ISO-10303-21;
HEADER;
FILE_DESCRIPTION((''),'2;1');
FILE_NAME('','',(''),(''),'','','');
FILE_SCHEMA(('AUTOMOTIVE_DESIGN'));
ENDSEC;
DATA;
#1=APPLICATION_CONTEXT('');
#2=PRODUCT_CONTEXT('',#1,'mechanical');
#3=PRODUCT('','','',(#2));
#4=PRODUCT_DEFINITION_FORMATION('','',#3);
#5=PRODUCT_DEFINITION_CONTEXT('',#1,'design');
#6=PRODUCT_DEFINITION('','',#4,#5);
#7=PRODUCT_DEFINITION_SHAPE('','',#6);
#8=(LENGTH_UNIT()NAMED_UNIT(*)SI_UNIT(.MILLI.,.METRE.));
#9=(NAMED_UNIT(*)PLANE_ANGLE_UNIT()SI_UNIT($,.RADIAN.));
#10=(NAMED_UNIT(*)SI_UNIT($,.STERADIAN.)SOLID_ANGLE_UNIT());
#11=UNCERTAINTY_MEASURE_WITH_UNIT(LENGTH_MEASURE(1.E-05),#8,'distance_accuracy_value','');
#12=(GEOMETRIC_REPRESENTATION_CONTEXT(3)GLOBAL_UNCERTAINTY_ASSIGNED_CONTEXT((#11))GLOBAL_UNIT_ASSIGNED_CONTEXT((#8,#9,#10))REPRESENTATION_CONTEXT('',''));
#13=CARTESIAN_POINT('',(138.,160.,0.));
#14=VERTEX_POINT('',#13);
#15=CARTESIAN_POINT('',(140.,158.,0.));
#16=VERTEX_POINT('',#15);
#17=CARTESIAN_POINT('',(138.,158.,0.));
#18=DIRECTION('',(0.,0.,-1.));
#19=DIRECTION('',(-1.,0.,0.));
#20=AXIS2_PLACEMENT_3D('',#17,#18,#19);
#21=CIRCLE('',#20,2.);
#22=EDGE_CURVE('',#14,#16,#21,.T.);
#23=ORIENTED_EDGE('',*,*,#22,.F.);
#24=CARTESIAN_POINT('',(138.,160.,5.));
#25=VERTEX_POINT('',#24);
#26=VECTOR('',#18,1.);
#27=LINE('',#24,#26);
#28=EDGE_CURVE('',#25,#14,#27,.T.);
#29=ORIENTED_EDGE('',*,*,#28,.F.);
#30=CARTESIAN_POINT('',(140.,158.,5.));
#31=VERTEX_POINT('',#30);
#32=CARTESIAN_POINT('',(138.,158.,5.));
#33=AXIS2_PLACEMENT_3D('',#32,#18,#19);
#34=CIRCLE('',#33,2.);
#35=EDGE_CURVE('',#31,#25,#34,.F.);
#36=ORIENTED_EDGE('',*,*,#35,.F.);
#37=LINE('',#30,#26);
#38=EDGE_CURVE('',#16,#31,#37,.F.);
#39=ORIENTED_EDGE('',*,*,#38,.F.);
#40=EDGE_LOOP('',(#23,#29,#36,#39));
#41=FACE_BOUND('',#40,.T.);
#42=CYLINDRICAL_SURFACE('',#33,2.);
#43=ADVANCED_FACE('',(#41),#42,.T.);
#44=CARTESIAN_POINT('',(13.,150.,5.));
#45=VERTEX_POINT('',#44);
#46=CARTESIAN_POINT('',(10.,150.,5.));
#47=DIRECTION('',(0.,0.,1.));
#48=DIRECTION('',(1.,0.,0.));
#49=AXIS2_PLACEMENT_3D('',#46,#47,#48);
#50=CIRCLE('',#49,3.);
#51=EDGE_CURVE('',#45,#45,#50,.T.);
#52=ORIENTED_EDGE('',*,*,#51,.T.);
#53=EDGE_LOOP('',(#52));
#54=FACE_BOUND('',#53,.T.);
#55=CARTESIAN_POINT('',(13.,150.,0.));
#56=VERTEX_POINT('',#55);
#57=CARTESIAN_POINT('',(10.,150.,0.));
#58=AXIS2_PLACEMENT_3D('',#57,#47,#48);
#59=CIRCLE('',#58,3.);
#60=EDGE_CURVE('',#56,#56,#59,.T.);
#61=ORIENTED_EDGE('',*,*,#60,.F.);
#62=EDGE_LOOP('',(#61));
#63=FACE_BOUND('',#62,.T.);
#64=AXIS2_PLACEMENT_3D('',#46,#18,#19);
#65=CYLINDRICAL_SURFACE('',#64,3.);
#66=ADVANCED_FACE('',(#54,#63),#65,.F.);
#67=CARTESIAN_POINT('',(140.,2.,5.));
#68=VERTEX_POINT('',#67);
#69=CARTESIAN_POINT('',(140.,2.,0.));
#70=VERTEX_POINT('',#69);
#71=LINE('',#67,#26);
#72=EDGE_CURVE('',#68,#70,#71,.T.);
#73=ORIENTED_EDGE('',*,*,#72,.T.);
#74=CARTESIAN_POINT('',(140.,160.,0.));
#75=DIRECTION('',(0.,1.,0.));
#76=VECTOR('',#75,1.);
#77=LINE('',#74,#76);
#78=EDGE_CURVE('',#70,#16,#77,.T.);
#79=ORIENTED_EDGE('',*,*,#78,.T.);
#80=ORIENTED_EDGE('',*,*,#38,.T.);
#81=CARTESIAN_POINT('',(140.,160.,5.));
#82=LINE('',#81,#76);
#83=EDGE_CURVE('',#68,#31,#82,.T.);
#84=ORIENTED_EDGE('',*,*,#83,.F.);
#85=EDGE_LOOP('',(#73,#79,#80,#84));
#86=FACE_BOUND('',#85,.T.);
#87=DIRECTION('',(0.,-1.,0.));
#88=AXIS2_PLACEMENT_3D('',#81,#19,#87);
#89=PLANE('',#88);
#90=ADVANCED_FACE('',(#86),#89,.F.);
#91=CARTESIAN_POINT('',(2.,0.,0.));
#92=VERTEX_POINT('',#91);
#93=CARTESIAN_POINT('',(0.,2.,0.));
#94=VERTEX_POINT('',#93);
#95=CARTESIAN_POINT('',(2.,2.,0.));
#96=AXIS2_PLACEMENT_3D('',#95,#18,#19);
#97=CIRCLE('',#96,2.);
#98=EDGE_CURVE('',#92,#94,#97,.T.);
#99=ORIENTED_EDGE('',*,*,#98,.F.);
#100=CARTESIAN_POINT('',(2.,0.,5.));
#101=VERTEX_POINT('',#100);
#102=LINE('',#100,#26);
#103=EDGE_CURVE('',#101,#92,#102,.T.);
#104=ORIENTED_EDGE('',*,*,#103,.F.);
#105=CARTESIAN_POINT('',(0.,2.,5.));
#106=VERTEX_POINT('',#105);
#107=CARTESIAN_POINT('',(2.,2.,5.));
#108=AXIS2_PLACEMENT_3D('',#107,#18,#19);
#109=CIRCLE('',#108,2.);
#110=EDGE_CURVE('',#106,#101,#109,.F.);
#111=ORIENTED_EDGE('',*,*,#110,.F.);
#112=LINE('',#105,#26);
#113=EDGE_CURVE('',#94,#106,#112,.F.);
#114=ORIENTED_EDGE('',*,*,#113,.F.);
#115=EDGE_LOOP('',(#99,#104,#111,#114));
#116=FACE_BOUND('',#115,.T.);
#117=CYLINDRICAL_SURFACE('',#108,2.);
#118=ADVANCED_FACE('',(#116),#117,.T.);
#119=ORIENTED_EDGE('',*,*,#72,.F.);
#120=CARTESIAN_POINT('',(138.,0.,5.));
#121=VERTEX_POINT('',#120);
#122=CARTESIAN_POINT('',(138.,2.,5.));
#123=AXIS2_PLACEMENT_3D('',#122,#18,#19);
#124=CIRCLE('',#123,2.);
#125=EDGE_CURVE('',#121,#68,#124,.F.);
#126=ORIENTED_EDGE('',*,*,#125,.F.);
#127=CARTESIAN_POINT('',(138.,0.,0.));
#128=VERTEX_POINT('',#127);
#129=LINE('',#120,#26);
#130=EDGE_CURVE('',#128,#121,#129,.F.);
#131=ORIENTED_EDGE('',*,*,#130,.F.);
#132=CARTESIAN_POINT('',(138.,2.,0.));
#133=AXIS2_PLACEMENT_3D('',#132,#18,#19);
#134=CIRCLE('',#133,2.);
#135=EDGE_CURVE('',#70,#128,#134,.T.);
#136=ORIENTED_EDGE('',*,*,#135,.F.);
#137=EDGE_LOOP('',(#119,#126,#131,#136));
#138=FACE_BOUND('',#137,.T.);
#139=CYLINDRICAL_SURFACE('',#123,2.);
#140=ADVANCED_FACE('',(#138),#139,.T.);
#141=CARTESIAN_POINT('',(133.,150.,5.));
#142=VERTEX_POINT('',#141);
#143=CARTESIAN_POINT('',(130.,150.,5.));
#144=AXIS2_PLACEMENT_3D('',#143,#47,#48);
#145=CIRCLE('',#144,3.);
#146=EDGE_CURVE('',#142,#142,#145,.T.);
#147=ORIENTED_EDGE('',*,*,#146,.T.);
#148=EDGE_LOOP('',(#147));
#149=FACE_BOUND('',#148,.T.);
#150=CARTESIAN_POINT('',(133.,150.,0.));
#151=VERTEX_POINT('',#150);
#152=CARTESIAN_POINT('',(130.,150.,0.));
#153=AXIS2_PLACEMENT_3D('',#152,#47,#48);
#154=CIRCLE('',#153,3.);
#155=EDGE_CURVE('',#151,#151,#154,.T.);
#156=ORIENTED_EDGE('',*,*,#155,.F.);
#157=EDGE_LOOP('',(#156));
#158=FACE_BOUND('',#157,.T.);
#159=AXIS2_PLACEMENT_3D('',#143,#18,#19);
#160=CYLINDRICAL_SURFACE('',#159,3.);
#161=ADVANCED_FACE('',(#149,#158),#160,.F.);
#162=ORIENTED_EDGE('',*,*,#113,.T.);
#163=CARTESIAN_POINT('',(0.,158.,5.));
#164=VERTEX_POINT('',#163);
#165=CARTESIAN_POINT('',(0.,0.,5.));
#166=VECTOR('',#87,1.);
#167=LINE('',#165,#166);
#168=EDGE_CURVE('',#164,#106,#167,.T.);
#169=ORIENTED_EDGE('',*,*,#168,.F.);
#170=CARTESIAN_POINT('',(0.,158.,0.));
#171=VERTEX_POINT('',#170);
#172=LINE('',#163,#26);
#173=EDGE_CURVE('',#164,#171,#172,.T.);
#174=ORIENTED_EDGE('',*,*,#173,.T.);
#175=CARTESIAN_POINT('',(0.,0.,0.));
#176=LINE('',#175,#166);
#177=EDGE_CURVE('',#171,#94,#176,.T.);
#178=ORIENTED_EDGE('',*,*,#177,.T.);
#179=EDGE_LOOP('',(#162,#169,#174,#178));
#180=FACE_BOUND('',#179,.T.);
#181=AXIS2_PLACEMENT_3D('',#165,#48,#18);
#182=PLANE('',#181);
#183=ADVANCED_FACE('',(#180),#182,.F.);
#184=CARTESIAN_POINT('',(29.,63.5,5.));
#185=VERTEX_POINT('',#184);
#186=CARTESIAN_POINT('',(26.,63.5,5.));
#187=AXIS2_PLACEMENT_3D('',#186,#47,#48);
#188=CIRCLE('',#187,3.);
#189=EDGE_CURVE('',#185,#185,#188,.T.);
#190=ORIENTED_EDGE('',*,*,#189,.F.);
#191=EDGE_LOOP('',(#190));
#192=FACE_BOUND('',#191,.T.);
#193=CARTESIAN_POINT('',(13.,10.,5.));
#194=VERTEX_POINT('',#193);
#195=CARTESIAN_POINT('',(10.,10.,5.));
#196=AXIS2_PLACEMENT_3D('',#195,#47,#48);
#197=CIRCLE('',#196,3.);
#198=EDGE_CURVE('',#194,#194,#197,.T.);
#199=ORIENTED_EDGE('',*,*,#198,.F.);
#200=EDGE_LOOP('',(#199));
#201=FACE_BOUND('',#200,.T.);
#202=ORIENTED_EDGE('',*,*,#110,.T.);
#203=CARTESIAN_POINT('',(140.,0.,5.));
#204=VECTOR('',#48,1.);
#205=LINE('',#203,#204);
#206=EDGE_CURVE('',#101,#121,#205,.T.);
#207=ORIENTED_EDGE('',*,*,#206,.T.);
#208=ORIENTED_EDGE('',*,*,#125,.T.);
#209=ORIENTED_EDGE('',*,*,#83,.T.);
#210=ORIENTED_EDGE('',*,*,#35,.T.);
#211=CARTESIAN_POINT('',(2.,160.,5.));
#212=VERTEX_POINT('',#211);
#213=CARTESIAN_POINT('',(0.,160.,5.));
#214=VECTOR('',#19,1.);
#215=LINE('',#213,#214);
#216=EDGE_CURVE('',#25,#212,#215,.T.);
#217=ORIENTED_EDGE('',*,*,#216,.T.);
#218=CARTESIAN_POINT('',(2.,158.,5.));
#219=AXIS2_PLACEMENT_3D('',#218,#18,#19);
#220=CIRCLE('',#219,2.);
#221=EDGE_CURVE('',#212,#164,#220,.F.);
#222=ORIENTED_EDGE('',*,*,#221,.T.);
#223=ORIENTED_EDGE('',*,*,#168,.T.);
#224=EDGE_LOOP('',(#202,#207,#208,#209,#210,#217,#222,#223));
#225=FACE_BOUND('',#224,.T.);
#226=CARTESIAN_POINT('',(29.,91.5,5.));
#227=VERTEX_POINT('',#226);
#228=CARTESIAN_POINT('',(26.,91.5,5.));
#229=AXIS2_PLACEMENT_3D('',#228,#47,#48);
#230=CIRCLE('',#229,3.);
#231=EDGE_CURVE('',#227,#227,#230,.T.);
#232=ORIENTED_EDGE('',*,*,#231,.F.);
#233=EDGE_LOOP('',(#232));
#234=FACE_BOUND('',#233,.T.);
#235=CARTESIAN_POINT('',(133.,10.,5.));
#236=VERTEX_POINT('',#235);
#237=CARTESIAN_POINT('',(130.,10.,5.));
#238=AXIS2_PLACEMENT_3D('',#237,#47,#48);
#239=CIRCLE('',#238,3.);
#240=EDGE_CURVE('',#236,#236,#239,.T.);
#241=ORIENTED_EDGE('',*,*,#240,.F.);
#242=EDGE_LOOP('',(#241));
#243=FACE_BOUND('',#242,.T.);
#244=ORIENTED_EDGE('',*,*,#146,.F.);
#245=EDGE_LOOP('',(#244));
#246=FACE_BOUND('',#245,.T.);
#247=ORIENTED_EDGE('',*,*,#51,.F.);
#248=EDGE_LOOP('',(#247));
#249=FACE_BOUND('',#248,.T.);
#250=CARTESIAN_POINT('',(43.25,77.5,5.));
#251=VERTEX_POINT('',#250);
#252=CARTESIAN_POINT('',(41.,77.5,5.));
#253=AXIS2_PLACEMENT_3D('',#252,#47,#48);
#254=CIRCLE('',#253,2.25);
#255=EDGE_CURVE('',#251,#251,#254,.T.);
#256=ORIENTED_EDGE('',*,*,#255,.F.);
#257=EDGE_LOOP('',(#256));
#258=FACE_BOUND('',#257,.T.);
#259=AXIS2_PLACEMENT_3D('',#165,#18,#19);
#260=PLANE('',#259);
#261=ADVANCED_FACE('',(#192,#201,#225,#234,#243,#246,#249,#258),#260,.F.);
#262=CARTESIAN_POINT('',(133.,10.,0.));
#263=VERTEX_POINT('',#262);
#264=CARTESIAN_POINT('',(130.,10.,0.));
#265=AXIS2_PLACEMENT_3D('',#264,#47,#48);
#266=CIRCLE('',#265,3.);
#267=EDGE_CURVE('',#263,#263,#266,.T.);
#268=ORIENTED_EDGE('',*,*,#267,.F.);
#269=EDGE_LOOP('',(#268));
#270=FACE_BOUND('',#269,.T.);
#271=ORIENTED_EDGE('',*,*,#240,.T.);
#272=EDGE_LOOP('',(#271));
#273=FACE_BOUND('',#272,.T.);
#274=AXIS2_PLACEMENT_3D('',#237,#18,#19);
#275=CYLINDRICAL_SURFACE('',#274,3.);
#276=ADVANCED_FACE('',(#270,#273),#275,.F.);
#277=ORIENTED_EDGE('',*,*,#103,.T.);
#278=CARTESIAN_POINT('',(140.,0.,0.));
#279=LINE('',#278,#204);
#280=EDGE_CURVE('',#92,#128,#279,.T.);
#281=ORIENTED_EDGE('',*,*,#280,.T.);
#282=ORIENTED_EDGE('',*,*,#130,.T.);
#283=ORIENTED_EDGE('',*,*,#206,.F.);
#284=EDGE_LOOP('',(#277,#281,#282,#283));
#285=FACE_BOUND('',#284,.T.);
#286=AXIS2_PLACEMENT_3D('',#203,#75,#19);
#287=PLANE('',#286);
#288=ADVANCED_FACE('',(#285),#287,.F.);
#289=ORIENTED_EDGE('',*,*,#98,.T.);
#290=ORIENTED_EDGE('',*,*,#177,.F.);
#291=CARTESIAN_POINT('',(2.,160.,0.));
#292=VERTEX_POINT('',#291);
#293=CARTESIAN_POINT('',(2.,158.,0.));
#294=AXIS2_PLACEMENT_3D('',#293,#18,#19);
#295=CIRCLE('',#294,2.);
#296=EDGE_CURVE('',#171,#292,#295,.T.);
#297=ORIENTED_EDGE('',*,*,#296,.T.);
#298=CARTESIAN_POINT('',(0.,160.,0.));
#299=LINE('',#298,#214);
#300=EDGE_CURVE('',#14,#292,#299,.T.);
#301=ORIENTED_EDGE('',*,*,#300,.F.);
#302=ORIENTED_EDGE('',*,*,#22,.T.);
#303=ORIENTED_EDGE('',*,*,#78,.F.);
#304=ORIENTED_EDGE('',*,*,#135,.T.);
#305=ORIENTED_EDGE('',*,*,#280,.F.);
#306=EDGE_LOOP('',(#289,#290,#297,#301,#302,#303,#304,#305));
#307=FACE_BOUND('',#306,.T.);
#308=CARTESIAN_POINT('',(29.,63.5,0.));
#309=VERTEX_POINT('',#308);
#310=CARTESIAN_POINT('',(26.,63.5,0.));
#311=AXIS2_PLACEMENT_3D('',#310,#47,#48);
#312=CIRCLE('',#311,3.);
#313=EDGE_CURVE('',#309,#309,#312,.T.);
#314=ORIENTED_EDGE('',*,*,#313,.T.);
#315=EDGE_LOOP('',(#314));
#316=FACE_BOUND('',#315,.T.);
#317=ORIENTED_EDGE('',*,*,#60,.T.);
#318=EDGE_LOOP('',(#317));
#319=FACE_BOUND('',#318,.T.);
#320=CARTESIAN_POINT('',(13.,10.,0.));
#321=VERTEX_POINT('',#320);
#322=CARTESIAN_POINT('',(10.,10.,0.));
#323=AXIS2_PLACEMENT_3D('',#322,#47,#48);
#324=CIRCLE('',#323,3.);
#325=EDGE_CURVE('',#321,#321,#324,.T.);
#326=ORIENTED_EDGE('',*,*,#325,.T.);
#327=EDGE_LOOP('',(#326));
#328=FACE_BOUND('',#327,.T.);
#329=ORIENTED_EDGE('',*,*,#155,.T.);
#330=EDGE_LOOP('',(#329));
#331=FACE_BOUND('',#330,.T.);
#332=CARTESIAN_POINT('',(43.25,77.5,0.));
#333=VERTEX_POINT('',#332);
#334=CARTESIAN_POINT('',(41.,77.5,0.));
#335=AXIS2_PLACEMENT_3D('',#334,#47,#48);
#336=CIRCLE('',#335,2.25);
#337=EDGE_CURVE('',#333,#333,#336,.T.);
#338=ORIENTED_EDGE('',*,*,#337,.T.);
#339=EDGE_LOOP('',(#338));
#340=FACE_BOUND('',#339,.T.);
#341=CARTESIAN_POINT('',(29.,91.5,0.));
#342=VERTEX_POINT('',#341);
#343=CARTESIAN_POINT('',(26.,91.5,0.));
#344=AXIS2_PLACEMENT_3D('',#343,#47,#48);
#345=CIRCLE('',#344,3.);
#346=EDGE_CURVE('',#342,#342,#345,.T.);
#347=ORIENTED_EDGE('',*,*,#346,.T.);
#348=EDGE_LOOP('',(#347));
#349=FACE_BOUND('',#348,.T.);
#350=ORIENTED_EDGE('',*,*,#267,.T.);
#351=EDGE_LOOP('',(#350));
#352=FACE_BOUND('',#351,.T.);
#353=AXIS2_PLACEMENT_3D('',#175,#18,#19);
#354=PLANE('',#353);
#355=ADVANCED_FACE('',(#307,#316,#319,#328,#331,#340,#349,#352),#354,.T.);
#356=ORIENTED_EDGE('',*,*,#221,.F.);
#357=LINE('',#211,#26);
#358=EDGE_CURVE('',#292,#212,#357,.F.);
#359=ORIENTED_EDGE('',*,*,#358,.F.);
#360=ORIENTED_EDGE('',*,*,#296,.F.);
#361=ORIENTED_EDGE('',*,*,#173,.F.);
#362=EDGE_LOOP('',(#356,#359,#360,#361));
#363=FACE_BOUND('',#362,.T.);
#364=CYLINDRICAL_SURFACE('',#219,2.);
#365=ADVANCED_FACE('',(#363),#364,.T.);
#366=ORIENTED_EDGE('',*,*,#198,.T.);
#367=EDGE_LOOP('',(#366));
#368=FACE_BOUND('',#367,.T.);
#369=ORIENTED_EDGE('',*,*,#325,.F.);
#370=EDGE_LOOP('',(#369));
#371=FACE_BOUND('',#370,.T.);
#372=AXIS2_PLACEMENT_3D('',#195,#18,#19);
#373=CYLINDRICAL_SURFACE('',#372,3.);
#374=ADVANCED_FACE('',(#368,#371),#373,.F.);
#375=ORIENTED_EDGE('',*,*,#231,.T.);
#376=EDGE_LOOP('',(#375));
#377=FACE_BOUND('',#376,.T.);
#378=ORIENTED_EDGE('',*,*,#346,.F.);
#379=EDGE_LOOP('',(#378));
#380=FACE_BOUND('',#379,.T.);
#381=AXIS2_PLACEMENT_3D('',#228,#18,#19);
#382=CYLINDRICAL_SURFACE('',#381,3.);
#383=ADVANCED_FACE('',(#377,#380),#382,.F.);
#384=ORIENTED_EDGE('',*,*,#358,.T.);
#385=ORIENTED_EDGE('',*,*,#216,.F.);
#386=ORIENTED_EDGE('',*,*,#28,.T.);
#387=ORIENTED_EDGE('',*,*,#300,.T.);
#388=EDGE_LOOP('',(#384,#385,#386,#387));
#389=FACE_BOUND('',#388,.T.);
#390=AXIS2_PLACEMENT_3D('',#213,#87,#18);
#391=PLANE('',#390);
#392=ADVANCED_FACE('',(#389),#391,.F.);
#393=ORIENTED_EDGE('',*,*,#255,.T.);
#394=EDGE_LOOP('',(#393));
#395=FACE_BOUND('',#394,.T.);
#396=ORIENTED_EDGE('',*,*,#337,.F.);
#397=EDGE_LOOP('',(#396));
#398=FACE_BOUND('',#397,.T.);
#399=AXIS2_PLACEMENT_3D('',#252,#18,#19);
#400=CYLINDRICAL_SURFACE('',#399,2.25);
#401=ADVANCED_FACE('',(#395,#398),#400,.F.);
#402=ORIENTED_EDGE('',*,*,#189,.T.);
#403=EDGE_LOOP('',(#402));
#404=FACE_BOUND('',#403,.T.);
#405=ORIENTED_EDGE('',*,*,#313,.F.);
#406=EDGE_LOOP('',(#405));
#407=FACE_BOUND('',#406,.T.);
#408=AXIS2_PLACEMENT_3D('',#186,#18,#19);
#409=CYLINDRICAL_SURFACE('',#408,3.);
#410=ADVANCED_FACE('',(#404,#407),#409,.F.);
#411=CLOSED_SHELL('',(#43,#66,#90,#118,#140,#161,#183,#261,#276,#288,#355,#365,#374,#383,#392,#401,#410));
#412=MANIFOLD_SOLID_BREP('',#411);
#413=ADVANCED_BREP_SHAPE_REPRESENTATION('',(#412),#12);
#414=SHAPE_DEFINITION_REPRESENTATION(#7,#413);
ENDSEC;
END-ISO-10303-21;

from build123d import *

# Parameters (mm, degrees)
MODEL_W             = 140
MODEL_H             = 160
MODEL_R             = 3
MODEL_R_2           = 2.25
BOSS_EXTRUDE1_DEPTH = 5
FILLET1_R           = 2


with BuildPart() as part:
    # Model → Boss-Extrude1 (new body)
    with BuildSketch(Plane.XY):
        with Locations((70, 80)):
            Rectangle(MODEL_W, MODEL_H)
        with Locations((26, 91.5)):
            Circle(MODEL_R, mode=Mode.SUBTRACT)
        with Locations((10, 150)):
            Circle(MODEL_R, mode=Mode.SUBTRACT)
        with Locations((130, 10)):
            Circle(MODEL_R, mode=Mode.SUBTRACT)
        with Locations((10, 10)):
            Circle(MODEL_R, mode=Mode.SUBTRACT)
        with Locations((130, 150)):
            Circle(MODEL_R, mode=Mode.SUBTRACT)
        with Locations((26, 63.5)):
            Circle(MODEL_R, mode=Mode.SUBTRACT)
        with Locations((41, 77.5)):
            Circle(MODEL_R_2, mode=Mode.SUBTRACT)
    extrude(amount=BOSS_EXTRUDE1_DEPTH)

    # Fillet1
    fillet1_edges = [part.edges().sort_by_distance(p)[0] for p in [
        (0, 0, 2.5),
        (0, 160, 2.5),
        (140, 160, 2.5),
        (140, 0, 2.5),
    ]]
    fillet(fillet1_edges, radius=FILLET1_R)


solid = part.part
